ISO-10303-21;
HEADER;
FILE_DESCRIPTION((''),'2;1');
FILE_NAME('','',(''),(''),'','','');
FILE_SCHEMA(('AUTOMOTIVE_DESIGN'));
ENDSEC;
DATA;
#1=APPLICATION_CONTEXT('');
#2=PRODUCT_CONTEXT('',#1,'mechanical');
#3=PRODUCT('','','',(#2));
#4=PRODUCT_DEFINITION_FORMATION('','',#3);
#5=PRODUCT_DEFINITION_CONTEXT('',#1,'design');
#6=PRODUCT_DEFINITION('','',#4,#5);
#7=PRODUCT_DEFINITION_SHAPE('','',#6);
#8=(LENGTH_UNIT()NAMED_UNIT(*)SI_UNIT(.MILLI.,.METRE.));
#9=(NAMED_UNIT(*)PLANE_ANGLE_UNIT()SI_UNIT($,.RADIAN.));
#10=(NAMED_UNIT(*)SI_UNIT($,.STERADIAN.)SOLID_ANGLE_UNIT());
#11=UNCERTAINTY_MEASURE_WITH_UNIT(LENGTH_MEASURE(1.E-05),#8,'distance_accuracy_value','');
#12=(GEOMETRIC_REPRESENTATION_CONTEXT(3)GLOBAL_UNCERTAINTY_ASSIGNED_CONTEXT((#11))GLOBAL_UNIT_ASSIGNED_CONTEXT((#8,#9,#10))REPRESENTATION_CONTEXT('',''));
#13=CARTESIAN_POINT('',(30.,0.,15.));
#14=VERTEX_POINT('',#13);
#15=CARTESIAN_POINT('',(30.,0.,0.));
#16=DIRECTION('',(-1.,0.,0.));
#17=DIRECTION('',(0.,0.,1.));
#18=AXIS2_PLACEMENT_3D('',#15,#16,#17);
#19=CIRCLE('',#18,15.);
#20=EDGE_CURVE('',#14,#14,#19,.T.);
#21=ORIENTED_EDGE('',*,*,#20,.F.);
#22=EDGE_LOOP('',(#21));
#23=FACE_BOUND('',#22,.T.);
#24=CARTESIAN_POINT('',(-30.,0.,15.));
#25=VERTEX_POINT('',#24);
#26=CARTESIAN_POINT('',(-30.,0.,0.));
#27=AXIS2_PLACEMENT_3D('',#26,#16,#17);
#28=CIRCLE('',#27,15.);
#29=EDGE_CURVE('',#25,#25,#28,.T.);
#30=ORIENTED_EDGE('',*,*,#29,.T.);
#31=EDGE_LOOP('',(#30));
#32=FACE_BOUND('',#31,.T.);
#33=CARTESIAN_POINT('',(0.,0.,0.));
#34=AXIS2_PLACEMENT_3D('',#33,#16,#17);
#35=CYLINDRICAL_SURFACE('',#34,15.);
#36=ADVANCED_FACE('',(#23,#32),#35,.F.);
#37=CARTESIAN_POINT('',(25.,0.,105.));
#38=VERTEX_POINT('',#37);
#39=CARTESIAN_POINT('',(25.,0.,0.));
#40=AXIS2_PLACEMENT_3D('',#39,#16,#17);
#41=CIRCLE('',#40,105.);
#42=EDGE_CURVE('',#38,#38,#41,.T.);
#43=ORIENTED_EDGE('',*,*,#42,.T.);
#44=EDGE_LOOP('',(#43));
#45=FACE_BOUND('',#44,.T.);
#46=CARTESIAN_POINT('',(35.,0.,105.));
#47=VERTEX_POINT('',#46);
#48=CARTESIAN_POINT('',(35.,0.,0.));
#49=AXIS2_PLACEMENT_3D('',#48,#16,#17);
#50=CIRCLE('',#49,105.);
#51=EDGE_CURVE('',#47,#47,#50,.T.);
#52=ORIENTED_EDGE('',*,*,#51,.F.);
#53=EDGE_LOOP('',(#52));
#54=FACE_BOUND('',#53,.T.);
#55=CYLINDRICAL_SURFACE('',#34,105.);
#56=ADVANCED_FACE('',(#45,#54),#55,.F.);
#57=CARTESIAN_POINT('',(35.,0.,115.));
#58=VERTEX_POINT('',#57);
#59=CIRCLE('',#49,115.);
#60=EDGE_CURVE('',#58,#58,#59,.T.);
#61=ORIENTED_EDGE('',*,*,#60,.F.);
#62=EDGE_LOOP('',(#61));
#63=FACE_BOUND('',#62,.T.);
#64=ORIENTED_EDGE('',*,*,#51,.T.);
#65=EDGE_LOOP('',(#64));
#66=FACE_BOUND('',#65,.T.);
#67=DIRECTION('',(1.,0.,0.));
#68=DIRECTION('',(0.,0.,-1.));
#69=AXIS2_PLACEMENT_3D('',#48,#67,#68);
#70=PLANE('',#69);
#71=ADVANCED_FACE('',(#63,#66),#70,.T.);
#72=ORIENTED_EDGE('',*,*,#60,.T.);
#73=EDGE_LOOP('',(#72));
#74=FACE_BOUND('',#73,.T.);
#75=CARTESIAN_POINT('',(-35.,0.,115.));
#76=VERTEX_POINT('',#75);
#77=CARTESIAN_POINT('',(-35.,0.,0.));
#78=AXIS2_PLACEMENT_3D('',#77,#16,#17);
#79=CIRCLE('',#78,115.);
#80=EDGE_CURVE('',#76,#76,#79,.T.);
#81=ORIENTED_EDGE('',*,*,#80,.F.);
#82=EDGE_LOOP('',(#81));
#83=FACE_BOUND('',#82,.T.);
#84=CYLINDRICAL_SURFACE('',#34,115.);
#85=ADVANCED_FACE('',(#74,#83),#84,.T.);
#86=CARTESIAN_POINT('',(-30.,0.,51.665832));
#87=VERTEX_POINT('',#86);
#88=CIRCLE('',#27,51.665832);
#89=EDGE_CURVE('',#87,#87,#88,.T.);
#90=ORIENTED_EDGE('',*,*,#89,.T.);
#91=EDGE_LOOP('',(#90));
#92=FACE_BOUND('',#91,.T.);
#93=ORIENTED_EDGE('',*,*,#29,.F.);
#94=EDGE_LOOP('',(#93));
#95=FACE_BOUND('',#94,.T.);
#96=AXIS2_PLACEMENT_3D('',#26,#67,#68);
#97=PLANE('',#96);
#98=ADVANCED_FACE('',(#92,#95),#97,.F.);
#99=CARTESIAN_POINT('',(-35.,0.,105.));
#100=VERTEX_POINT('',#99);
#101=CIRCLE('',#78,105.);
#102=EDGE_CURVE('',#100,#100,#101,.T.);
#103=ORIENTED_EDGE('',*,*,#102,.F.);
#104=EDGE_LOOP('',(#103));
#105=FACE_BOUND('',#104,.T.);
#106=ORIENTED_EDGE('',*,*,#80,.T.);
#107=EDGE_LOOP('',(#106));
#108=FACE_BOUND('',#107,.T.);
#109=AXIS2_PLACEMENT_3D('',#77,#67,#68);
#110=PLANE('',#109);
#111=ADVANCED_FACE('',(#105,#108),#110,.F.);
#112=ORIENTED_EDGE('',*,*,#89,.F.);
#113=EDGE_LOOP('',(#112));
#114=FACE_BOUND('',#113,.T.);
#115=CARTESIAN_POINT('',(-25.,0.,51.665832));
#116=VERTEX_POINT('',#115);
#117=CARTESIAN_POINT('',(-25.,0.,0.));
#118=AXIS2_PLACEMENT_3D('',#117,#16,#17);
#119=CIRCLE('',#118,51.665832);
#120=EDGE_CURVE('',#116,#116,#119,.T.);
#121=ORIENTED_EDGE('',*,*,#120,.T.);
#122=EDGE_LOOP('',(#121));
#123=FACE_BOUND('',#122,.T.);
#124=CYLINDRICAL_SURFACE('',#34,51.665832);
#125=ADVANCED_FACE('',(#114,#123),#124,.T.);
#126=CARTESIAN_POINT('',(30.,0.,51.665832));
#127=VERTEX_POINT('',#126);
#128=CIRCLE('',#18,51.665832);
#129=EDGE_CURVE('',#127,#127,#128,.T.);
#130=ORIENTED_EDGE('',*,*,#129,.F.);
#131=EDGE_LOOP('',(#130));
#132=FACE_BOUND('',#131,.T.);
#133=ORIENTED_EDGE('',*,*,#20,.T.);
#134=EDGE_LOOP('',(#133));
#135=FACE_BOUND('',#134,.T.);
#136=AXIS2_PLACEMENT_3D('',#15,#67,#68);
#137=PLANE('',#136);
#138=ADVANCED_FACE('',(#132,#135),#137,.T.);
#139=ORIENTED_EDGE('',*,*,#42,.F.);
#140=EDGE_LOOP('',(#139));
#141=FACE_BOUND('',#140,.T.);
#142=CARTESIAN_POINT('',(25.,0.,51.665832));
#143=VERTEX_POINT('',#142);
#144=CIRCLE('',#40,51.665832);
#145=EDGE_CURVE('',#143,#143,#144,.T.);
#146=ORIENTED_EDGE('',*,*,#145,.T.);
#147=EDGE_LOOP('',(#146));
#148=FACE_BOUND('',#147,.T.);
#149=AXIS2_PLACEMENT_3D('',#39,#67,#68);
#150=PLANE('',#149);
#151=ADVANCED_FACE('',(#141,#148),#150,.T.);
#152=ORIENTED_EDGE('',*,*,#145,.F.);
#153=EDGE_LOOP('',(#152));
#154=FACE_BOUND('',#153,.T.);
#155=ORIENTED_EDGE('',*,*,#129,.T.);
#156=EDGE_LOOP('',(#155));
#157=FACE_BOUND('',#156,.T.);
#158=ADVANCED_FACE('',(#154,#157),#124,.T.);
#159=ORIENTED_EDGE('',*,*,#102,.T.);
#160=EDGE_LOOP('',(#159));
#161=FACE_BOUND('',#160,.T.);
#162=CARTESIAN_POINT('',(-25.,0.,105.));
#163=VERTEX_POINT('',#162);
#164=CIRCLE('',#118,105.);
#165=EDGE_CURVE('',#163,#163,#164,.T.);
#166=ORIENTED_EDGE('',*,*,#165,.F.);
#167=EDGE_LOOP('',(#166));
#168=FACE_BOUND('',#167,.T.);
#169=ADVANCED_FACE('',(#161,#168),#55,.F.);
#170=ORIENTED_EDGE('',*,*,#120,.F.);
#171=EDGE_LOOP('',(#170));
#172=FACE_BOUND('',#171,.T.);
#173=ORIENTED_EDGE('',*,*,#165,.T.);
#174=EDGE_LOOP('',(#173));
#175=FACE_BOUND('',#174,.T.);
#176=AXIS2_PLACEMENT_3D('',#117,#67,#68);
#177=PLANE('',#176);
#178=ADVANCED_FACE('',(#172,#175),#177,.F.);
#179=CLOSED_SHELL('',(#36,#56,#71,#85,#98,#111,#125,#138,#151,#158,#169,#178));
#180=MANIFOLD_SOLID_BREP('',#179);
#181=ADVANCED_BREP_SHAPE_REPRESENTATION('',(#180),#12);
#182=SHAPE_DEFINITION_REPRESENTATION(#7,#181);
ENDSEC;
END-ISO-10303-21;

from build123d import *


with BuildPart() as part:
    # Sketch3 → Revolve1 (revolve)
    with BuildSketch(Plane.XY, mode=Mode.PRIVATE) as revolve1_sk:
        Polygon((-25, 15), (0, 15), (0, 115), (-35, 115), (-35, 105), (-25, 105), (-25, 51.665831819), (-30, 51.665831819), (-30, 15), align=None)
        Polygon((0, 115), (0, 15), (25, 15), (30, 15), (30, 51.665831819), (25, 51.665831819), (25, 105), (35, 105), (35, 115), align=None)
    revolve(revolve1_sk.sketch.rotate(Axis((0, 0, 0), (1, 0, 0)), 90), axis=Axis((0, 0, 0), (1, 0, 0)))


solid = part.part
